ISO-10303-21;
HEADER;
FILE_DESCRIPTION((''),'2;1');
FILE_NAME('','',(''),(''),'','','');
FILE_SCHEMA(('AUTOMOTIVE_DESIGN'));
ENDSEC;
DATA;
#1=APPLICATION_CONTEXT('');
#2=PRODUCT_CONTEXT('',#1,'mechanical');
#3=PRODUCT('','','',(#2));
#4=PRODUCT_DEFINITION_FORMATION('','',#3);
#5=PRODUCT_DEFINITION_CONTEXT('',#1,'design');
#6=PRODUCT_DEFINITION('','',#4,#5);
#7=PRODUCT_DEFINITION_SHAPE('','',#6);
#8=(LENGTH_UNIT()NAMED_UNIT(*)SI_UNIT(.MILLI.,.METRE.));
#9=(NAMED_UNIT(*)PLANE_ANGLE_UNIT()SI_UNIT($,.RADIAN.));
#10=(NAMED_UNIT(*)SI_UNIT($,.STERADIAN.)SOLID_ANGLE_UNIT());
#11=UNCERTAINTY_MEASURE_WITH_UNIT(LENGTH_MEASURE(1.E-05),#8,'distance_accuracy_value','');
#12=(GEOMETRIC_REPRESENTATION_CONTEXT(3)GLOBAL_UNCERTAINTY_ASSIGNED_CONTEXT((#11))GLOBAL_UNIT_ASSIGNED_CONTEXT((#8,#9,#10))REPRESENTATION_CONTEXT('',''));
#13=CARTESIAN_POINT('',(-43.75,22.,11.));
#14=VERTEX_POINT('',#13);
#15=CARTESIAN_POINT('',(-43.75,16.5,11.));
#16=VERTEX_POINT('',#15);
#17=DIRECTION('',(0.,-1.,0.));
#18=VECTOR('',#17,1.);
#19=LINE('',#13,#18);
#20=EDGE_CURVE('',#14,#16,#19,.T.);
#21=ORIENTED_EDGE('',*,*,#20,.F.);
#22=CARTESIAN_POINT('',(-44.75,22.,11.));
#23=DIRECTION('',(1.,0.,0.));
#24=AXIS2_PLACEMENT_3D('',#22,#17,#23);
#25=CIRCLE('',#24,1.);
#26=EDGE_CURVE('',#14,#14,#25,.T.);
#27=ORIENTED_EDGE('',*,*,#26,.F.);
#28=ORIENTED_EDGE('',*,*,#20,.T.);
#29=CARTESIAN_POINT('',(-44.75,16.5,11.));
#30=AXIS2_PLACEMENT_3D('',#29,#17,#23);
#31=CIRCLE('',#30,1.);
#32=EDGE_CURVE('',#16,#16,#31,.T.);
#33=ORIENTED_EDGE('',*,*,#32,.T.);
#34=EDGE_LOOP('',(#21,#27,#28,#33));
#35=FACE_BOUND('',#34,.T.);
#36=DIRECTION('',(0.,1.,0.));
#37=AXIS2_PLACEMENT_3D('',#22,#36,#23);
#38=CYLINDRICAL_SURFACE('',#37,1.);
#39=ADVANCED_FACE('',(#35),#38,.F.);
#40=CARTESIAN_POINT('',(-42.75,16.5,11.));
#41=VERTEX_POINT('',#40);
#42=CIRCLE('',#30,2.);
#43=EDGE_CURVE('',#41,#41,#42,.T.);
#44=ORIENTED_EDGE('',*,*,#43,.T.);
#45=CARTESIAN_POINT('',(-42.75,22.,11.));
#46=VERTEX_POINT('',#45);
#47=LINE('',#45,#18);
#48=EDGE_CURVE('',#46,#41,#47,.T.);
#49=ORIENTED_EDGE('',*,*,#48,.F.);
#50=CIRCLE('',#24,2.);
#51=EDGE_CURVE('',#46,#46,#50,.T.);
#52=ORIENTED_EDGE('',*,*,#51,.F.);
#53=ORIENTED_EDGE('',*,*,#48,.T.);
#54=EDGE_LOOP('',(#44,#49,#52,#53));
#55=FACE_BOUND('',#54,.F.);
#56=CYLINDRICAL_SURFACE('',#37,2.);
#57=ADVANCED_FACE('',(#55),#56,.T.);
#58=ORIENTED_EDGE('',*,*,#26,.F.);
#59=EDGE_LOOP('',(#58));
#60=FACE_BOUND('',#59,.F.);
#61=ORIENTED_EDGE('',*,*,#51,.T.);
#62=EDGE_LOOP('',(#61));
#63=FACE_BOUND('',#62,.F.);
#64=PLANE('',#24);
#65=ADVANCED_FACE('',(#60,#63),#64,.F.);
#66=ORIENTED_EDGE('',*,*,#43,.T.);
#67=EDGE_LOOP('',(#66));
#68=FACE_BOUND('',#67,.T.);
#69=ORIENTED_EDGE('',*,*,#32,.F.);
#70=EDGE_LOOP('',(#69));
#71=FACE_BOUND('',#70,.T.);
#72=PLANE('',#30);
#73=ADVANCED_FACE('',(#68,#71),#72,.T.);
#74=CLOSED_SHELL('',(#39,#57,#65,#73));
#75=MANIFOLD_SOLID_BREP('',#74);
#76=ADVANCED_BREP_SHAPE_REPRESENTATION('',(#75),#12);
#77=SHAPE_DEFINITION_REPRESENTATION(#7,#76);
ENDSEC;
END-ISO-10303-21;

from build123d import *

# Parameters (mm, degrees)
CYLINDER002_R          = 1
CYLINDER002_DEPTH      = 5.5
CYLINDER002_ROLL_ANGLE = 90
CYLINDER001_R          = 2
CYLINDER001_DEPTH      = 5.5
CYLINDER001_ROLL_ANGLE = 90


with BuildPart() as cylinder002:
    # Cylinder002 → Cylinder002 (new body)
    with BuildSketch(Plane.XY):
        Circle(CYLINDER002_R)
    extrude(amount=CYLINDER002_DEPTH)


with BuildPart() as cylinder002_1:
    # Cylinder002 roll: moved
    add(cylinder002.part.rotate(Axis((0, 0, 0), (1, 0, 0)), CYLINDER002_ROLL_ANGLE))


with BuildPart() as cylinder002_2:
    # Cylinder002 placement: moved
    add(cylinder002_1.part.moved(Location((-44.75, 22, 11))))


with BuildPart() as cut085:
    # Cylinder001 → Cylinder001 (new body)
    with BuildSketch(Plane.XY):
        Circle(CYLINDER001_R)
    extrude(amount=CYLINDER001_DEPTH)


with BuildPart() as cut085_1:
    # Cylinder001 roll: moved
    add(cut085.part.rotate(Axis((0, 0, 0), (1, 0, 0)), CYLINDER001_ROLL_ANGLE))


with BuildPart() as cut085_2:
    # Cylinder001 placement: moved
    add(cut085_1.part.moved(Location((-44.75, 22, 11))))

    # Cut085: cut Cylinder002
    add(cylinder002_2.part, mode=Mode.SUBTRACT)


solid = cut085_2.part
